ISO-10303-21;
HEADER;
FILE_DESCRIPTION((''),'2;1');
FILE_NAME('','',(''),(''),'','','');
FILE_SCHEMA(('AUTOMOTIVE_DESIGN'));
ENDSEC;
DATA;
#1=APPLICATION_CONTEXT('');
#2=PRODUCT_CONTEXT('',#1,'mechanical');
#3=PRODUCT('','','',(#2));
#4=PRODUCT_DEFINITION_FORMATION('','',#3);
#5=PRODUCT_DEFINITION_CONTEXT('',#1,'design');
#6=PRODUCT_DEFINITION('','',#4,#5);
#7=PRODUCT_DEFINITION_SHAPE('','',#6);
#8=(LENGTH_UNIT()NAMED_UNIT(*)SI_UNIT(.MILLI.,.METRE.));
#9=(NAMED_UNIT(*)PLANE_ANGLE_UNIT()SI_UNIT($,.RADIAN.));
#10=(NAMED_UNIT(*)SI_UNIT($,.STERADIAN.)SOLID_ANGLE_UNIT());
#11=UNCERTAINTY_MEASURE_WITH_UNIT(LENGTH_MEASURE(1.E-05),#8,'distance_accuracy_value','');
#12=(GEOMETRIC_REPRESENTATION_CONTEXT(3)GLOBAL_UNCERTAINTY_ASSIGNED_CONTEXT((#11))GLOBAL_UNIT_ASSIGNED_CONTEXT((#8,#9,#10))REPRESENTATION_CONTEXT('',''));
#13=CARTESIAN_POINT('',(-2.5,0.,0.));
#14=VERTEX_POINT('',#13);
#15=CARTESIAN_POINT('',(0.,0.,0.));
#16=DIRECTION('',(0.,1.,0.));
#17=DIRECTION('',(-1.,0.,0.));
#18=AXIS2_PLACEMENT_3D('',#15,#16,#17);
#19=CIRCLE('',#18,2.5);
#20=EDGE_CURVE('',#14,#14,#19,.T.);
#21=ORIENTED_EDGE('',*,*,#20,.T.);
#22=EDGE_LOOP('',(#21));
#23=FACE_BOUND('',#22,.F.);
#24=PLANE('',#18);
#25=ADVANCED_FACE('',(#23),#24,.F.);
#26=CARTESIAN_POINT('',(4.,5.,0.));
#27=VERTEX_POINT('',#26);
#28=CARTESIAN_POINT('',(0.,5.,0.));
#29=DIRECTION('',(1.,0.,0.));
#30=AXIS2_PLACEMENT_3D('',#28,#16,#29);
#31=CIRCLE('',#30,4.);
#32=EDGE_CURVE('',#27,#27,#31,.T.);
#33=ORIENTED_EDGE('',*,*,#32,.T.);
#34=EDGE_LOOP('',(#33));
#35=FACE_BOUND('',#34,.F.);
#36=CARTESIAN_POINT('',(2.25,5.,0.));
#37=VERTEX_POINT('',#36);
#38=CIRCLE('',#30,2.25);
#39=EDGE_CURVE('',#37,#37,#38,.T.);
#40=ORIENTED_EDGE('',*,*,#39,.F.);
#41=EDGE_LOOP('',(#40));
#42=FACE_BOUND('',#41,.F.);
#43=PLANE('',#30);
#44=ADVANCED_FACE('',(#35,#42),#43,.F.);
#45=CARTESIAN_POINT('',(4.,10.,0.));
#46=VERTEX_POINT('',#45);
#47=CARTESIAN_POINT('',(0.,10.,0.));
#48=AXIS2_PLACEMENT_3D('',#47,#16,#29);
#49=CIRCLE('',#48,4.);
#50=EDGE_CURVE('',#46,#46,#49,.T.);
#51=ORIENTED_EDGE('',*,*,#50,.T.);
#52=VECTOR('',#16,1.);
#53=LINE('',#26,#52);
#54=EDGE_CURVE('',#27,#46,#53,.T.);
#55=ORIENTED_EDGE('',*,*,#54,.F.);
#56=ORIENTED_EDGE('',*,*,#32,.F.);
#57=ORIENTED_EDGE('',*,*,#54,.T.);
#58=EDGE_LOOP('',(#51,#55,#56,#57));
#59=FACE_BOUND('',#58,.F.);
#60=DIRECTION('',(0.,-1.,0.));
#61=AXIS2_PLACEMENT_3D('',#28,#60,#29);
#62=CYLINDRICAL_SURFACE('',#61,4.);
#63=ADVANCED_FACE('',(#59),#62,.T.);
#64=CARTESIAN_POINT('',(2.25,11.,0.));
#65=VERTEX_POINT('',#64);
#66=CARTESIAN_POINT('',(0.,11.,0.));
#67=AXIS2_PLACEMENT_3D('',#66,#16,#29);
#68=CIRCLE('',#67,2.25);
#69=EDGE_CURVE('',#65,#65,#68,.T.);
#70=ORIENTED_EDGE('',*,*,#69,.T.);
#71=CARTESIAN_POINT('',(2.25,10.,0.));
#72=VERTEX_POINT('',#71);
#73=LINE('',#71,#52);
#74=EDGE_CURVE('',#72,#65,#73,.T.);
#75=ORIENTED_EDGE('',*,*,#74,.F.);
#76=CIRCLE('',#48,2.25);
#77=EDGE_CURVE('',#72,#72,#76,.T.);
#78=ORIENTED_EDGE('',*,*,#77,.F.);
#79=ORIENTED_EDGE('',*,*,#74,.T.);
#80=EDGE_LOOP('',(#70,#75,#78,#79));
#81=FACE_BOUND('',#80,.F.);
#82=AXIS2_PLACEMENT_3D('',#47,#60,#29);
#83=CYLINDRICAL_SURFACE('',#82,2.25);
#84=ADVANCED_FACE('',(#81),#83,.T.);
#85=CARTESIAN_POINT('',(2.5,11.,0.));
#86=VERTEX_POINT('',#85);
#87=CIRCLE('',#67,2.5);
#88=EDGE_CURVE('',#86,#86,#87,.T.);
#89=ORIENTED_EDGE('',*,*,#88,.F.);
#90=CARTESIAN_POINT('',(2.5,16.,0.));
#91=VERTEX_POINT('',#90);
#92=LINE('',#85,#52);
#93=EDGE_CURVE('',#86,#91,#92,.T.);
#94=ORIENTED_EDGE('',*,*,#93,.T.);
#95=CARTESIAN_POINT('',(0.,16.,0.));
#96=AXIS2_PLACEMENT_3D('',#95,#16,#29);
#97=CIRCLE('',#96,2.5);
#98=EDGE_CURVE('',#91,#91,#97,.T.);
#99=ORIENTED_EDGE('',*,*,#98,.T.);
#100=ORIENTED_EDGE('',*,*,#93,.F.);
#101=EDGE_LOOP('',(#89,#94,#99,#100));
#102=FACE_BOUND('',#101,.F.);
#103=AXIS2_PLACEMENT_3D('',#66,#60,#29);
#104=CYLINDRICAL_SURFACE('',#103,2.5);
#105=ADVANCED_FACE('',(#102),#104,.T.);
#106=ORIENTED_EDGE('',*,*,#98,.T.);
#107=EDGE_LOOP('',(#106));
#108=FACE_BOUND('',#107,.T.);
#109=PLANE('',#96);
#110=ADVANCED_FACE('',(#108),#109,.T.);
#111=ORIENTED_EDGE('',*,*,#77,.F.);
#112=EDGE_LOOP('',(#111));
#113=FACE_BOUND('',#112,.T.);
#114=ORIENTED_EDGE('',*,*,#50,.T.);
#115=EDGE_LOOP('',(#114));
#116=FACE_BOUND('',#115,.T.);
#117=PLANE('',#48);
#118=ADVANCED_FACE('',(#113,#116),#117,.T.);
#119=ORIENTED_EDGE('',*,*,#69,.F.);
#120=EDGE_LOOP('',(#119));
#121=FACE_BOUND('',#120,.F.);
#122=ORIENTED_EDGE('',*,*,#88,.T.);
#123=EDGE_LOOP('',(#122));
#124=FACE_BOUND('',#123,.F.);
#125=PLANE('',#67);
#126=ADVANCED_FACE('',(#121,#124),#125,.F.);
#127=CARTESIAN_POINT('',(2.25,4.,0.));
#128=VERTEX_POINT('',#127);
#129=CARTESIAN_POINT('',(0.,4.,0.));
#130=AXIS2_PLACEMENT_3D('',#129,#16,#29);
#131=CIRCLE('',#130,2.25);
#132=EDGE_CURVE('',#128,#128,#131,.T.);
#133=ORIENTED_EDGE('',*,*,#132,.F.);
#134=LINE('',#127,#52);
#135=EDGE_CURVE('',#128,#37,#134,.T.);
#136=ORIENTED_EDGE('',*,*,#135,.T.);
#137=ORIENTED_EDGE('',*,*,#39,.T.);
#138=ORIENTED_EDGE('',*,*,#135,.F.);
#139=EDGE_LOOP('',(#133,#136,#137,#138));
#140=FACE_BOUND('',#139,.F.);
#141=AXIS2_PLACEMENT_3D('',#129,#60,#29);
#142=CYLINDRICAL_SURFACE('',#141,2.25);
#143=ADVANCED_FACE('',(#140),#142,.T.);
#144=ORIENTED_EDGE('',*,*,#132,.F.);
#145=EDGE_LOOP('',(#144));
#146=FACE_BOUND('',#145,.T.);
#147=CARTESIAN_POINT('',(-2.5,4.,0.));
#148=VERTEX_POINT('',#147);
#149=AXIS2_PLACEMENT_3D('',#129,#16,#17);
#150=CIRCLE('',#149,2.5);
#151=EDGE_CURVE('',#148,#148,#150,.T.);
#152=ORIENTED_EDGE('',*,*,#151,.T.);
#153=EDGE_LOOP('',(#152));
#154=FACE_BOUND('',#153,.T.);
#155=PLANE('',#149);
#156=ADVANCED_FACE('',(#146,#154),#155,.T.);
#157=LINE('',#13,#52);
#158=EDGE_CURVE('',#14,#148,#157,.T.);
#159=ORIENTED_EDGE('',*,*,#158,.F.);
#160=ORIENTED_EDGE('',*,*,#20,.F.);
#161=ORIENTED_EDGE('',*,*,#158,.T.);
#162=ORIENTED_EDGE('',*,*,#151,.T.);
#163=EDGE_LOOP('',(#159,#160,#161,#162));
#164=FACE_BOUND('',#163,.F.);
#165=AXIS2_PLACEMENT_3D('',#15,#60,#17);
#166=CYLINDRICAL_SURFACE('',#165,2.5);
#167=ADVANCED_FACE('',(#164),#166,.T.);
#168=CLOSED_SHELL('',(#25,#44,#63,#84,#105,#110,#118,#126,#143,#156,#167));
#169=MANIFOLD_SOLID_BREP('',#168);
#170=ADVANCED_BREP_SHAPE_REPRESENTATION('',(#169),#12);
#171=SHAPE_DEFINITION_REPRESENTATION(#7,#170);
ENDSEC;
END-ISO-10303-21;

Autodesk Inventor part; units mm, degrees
ref_plane "YZ Plane" through (0, 0, 0) normal (1, 0, 0) x (0, 1, 0)
ref_plane "XZ Plane" through (0, 0, 0) normal (0, 1, 0) x (-1, 0, 0)
ref_plane "XY Plane" through (0, 0, 0) normal (0, 0, 1) x (1, 0, 0)
sketch "Sketch1" plane through (0, 0, 0) normal (0, 1, 0) x (-1, 0, 0)
  circle A0 centre (0, 0) radius 2.5
  dimension "d0" = 5
extrude "Extrusion1" add sketch "Sketch1" along normal blind 4
sketch "Sketch2" plane through (0, 4, 0) normal (0, 1, 0) x (1, 0, 0)
  circle A0 centre (0, 0) radius 2.25
  dimension "d3" = 4.5
extrude "Extrusion2" add sketch "Sketch2" along normal blind 1
sketch "Sketch3" plane through (0, 5, 0) normal (0, 1, 0) x (1, 0, 0)
  circle A0 centre (0, 0) radius 4
  dimension "d6" = 8
extrude "Extrusion3" add sketch "Sketch3" along normal blind 5
sketch "Sketch4" plane through (0, 10, 0) normal (0, 1, 0) x (1, 0, 0)
  circle A0 centre (0, 0) radius 2.25
  dimension "d9" = 4.5
extrude "Extrusion4" add sketch "Sketch4" along normal blind 1
sketch "Sketch5" plane through (0, 11, 0) normal (0, 1, 0) x (1, 0, 0)
  circle A0 centre (0, 0) radius 2.5
  dimension "d18" = 5
extrude "Extrusion5" add sketch "Sketch5" along normal blind 5
thread "Thread1" size "M5x0.8" class "6g" standard "ANSI Metric M Profile" full length
thread "Thread2" size "M5x0.8" class "6g" standard "ANSI Metric M Profile" full length
properties part number "Cylinder Piping connector" material "Brass, Soft Yellow"
